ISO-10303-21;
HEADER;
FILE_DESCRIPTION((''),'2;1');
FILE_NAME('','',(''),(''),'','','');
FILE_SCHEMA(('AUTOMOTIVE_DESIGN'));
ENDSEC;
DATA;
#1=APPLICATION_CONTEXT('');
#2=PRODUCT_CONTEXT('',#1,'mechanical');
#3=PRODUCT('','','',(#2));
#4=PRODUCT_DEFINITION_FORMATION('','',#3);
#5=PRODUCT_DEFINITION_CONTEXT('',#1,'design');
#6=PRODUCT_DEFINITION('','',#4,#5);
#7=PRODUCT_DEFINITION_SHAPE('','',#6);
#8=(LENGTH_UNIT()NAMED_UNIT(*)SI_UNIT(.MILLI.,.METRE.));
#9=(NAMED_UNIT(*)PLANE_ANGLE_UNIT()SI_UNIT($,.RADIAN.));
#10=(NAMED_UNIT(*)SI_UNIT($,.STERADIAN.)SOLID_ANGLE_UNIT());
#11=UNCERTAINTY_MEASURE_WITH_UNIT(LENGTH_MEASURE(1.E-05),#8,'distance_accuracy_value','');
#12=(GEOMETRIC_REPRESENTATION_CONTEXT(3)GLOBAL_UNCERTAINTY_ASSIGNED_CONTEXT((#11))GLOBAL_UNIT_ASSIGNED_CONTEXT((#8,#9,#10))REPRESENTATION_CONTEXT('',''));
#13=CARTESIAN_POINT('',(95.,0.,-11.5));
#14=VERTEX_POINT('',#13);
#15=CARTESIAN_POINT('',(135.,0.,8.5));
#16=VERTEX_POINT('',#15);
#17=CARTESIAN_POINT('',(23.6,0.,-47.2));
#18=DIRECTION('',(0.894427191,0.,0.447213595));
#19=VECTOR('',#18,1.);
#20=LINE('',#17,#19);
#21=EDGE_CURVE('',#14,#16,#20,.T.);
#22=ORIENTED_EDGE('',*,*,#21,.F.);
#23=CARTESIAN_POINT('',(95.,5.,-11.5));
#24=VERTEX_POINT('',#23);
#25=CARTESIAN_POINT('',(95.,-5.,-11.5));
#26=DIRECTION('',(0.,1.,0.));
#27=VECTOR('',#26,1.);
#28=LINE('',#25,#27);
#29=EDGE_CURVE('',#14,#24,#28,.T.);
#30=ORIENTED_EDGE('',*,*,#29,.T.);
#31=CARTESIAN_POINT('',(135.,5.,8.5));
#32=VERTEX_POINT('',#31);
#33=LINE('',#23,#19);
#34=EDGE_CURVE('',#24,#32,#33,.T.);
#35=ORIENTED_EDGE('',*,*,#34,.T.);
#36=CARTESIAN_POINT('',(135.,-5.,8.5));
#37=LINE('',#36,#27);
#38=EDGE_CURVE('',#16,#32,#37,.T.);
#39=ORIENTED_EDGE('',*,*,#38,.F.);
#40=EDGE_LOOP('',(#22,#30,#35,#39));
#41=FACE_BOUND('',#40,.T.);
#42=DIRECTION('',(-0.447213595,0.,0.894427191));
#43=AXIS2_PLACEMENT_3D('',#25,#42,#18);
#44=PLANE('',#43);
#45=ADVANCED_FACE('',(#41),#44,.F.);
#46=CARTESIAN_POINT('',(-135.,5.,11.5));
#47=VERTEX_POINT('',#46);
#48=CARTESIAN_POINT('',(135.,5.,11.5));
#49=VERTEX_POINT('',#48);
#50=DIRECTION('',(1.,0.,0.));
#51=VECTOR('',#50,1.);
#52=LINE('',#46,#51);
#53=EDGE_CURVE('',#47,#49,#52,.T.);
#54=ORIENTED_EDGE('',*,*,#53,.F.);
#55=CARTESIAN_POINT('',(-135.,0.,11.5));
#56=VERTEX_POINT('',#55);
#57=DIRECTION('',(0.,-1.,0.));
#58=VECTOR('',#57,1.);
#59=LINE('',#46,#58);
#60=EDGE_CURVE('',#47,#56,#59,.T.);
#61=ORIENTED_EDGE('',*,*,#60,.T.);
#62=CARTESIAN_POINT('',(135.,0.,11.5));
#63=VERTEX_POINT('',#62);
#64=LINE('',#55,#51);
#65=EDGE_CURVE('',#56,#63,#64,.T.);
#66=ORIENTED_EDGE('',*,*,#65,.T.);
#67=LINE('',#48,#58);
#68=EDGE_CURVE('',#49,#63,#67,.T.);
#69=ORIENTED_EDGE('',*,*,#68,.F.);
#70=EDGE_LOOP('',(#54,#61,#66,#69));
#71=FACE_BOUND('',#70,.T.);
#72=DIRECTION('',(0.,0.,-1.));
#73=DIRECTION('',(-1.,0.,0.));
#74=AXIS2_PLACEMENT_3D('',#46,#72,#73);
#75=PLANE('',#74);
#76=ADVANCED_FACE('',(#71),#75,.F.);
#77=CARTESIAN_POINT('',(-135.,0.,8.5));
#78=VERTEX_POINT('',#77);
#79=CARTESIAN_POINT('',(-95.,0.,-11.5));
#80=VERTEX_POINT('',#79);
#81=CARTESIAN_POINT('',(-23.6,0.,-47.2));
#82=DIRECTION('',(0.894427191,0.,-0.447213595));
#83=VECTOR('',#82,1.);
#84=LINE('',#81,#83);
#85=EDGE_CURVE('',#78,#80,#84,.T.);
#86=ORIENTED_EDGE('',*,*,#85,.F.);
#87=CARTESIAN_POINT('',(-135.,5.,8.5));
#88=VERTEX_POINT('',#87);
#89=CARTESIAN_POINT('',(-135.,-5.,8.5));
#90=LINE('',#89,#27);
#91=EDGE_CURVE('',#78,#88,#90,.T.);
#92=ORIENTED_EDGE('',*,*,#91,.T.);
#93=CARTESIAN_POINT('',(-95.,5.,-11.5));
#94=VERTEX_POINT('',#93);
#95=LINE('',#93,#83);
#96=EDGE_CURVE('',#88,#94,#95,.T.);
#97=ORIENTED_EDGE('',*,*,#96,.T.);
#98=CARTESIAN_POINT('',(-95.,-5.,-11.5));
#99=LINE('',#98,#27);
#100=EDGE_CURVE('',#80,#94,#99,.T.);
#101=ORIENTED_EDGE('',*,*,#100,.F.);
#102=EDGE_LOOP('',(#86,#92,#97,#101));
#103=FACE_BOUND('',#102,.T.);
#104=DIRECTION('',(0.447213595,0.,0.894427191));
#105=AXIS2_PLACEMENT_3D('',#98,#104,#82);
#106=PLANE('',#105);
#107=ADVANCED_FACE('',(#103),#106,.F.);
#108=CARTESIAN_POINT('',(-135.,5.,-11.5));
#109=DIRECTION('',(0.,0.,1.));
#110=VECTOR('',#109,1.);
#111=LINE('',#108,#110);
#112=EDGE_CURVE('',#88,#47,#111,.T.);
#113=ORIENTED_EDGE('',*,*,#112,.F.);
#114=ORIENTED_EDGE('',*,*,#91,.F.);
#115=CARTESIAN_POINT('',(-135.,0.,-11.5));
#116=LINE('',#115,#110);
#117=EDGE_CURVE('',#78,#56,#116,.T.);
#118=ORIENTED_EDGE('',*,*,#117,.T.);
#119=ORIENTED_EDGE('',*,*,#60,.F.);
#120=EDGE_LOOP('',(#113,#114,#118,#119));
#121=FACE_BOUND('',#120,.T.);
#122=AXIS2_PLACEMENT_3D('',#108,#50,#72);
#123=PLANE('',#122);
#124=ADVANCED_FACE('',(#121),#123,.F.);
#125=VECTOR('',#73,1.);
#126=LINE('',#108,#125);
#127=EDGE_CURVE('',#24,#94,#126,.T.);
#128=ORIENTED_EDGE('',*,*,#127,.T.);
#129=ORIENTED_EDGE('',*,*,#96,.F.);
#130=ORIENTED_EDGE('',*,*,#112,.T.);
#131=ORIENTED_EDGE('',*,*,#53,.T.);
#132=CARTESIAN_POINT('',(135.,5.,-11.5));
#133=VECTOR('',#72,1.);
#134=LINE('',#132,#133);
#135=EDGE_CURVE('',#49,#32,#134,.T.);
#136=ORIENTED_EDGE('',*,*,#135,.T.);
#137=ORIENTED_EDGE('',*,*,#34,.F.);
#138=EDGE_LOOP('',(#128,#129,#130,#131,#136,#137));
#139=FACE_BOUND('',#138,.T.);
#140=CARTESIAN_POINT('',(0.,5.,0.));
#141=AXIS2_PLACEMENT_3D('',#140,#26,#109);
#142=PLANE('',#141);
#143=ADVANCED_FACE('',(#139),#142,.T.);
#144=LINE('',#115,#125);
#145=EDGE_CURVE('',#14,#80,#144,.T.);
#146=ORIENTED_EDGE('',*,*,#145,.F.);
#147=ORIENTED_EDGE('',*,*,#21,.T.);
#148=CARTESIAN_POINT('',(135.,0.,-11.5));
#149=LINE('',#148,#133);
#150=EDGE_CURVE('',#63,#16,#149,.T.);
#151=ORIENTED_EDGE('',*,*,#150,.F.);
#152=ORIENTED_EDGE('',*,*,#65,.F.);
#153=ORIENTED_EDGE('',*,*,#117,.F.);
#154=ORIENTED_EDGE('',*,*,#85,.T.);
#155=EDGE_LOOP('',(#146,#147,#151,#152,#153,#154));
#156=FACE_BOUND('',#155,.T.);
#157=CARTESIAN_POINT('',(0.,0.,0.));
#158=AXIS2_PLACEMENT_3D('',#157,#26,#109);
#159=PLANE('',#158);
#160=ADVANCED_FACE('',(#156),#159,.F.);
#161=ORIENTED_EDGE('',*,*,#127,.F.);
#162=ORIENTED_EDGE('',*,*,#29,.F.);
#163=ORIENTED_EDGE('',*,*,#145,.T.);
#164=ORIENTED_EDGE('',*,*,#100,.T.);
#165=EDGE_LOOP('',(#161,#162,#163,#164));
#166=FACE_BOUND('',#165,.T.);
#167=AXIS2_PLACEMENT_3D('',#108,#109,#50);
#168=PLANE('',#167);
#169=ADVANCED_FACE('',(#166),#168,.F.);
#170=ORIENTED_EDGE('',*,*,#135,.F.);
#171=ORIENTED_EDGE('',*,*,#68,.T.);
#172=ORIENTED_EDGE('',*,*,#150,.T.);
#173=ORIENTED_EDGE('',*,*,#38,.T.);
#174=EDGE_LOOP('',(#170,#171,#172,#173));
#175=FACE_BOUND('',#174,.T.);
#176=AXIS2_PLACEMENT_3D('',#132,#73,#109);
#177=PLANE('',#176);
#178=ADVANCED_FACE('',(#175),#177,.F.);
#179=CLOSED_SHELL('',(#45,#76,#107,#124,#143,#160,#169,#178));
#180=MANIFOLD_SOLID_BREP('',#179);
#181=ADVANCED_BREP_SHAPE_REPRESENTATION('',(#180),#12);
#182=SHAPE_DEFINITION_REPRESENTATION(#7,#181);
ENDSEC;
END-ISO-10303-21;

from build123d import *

# Parameters (mm, degrees)
ESQUISSE1_W             = 270
ESQUISSE1_H             = 23
BOSS_EXTRU_1_DEPTH      = 5
ENL_V_MAT_EXTRU_1_DEPTH = 10
ENL_V_MAT_EXTRU_2_DEPTH = 10


with BuildPart() as part:
    # Esquisse1 → Boss.-Extru.1 (new body)
    with BuildSketch(Plane(origin=(0, 0, 0), x_dir=(1, 0, 0), z_dir=(0, 1, 0))):
        Rectangle(ESQUISSE1_W, ESQUISSE1_H)
    extrude(amount=BOSS_EXTRU_1_DEPTH)

    # Esquisse3 → Enlèv. mat.-Extru.1 (cut)
    with BuildSketch(Plane(origin=(0, 5, 0), x_dir=(1, 0, 0), z_dir=(0, 1, 0))):
        Polygon((135, -8.5), (135, 11.5), (95, 11.5), align=None)
    extrude(amount=-ENL_V_MAT_EXTRU_1_DEPTH, mode=Mode.SUBTRACT)

    # Esquisse5 → Enlèv. mat.-Extru.2 (cut)
    with BuildSketch(Plane(origin=(0, 5, 0), x_dir=(1, 0, 0), z_dir=(0, 1, 0))):
        Polygon((-135, 11.5), (-95, 11.5), (-135, -8.5), align=None)
    extrude(amount=-ENL_V_MAT_EXTRU_2_DEPTH, mode=Mode.SUBTRACT)


solid = part.part
